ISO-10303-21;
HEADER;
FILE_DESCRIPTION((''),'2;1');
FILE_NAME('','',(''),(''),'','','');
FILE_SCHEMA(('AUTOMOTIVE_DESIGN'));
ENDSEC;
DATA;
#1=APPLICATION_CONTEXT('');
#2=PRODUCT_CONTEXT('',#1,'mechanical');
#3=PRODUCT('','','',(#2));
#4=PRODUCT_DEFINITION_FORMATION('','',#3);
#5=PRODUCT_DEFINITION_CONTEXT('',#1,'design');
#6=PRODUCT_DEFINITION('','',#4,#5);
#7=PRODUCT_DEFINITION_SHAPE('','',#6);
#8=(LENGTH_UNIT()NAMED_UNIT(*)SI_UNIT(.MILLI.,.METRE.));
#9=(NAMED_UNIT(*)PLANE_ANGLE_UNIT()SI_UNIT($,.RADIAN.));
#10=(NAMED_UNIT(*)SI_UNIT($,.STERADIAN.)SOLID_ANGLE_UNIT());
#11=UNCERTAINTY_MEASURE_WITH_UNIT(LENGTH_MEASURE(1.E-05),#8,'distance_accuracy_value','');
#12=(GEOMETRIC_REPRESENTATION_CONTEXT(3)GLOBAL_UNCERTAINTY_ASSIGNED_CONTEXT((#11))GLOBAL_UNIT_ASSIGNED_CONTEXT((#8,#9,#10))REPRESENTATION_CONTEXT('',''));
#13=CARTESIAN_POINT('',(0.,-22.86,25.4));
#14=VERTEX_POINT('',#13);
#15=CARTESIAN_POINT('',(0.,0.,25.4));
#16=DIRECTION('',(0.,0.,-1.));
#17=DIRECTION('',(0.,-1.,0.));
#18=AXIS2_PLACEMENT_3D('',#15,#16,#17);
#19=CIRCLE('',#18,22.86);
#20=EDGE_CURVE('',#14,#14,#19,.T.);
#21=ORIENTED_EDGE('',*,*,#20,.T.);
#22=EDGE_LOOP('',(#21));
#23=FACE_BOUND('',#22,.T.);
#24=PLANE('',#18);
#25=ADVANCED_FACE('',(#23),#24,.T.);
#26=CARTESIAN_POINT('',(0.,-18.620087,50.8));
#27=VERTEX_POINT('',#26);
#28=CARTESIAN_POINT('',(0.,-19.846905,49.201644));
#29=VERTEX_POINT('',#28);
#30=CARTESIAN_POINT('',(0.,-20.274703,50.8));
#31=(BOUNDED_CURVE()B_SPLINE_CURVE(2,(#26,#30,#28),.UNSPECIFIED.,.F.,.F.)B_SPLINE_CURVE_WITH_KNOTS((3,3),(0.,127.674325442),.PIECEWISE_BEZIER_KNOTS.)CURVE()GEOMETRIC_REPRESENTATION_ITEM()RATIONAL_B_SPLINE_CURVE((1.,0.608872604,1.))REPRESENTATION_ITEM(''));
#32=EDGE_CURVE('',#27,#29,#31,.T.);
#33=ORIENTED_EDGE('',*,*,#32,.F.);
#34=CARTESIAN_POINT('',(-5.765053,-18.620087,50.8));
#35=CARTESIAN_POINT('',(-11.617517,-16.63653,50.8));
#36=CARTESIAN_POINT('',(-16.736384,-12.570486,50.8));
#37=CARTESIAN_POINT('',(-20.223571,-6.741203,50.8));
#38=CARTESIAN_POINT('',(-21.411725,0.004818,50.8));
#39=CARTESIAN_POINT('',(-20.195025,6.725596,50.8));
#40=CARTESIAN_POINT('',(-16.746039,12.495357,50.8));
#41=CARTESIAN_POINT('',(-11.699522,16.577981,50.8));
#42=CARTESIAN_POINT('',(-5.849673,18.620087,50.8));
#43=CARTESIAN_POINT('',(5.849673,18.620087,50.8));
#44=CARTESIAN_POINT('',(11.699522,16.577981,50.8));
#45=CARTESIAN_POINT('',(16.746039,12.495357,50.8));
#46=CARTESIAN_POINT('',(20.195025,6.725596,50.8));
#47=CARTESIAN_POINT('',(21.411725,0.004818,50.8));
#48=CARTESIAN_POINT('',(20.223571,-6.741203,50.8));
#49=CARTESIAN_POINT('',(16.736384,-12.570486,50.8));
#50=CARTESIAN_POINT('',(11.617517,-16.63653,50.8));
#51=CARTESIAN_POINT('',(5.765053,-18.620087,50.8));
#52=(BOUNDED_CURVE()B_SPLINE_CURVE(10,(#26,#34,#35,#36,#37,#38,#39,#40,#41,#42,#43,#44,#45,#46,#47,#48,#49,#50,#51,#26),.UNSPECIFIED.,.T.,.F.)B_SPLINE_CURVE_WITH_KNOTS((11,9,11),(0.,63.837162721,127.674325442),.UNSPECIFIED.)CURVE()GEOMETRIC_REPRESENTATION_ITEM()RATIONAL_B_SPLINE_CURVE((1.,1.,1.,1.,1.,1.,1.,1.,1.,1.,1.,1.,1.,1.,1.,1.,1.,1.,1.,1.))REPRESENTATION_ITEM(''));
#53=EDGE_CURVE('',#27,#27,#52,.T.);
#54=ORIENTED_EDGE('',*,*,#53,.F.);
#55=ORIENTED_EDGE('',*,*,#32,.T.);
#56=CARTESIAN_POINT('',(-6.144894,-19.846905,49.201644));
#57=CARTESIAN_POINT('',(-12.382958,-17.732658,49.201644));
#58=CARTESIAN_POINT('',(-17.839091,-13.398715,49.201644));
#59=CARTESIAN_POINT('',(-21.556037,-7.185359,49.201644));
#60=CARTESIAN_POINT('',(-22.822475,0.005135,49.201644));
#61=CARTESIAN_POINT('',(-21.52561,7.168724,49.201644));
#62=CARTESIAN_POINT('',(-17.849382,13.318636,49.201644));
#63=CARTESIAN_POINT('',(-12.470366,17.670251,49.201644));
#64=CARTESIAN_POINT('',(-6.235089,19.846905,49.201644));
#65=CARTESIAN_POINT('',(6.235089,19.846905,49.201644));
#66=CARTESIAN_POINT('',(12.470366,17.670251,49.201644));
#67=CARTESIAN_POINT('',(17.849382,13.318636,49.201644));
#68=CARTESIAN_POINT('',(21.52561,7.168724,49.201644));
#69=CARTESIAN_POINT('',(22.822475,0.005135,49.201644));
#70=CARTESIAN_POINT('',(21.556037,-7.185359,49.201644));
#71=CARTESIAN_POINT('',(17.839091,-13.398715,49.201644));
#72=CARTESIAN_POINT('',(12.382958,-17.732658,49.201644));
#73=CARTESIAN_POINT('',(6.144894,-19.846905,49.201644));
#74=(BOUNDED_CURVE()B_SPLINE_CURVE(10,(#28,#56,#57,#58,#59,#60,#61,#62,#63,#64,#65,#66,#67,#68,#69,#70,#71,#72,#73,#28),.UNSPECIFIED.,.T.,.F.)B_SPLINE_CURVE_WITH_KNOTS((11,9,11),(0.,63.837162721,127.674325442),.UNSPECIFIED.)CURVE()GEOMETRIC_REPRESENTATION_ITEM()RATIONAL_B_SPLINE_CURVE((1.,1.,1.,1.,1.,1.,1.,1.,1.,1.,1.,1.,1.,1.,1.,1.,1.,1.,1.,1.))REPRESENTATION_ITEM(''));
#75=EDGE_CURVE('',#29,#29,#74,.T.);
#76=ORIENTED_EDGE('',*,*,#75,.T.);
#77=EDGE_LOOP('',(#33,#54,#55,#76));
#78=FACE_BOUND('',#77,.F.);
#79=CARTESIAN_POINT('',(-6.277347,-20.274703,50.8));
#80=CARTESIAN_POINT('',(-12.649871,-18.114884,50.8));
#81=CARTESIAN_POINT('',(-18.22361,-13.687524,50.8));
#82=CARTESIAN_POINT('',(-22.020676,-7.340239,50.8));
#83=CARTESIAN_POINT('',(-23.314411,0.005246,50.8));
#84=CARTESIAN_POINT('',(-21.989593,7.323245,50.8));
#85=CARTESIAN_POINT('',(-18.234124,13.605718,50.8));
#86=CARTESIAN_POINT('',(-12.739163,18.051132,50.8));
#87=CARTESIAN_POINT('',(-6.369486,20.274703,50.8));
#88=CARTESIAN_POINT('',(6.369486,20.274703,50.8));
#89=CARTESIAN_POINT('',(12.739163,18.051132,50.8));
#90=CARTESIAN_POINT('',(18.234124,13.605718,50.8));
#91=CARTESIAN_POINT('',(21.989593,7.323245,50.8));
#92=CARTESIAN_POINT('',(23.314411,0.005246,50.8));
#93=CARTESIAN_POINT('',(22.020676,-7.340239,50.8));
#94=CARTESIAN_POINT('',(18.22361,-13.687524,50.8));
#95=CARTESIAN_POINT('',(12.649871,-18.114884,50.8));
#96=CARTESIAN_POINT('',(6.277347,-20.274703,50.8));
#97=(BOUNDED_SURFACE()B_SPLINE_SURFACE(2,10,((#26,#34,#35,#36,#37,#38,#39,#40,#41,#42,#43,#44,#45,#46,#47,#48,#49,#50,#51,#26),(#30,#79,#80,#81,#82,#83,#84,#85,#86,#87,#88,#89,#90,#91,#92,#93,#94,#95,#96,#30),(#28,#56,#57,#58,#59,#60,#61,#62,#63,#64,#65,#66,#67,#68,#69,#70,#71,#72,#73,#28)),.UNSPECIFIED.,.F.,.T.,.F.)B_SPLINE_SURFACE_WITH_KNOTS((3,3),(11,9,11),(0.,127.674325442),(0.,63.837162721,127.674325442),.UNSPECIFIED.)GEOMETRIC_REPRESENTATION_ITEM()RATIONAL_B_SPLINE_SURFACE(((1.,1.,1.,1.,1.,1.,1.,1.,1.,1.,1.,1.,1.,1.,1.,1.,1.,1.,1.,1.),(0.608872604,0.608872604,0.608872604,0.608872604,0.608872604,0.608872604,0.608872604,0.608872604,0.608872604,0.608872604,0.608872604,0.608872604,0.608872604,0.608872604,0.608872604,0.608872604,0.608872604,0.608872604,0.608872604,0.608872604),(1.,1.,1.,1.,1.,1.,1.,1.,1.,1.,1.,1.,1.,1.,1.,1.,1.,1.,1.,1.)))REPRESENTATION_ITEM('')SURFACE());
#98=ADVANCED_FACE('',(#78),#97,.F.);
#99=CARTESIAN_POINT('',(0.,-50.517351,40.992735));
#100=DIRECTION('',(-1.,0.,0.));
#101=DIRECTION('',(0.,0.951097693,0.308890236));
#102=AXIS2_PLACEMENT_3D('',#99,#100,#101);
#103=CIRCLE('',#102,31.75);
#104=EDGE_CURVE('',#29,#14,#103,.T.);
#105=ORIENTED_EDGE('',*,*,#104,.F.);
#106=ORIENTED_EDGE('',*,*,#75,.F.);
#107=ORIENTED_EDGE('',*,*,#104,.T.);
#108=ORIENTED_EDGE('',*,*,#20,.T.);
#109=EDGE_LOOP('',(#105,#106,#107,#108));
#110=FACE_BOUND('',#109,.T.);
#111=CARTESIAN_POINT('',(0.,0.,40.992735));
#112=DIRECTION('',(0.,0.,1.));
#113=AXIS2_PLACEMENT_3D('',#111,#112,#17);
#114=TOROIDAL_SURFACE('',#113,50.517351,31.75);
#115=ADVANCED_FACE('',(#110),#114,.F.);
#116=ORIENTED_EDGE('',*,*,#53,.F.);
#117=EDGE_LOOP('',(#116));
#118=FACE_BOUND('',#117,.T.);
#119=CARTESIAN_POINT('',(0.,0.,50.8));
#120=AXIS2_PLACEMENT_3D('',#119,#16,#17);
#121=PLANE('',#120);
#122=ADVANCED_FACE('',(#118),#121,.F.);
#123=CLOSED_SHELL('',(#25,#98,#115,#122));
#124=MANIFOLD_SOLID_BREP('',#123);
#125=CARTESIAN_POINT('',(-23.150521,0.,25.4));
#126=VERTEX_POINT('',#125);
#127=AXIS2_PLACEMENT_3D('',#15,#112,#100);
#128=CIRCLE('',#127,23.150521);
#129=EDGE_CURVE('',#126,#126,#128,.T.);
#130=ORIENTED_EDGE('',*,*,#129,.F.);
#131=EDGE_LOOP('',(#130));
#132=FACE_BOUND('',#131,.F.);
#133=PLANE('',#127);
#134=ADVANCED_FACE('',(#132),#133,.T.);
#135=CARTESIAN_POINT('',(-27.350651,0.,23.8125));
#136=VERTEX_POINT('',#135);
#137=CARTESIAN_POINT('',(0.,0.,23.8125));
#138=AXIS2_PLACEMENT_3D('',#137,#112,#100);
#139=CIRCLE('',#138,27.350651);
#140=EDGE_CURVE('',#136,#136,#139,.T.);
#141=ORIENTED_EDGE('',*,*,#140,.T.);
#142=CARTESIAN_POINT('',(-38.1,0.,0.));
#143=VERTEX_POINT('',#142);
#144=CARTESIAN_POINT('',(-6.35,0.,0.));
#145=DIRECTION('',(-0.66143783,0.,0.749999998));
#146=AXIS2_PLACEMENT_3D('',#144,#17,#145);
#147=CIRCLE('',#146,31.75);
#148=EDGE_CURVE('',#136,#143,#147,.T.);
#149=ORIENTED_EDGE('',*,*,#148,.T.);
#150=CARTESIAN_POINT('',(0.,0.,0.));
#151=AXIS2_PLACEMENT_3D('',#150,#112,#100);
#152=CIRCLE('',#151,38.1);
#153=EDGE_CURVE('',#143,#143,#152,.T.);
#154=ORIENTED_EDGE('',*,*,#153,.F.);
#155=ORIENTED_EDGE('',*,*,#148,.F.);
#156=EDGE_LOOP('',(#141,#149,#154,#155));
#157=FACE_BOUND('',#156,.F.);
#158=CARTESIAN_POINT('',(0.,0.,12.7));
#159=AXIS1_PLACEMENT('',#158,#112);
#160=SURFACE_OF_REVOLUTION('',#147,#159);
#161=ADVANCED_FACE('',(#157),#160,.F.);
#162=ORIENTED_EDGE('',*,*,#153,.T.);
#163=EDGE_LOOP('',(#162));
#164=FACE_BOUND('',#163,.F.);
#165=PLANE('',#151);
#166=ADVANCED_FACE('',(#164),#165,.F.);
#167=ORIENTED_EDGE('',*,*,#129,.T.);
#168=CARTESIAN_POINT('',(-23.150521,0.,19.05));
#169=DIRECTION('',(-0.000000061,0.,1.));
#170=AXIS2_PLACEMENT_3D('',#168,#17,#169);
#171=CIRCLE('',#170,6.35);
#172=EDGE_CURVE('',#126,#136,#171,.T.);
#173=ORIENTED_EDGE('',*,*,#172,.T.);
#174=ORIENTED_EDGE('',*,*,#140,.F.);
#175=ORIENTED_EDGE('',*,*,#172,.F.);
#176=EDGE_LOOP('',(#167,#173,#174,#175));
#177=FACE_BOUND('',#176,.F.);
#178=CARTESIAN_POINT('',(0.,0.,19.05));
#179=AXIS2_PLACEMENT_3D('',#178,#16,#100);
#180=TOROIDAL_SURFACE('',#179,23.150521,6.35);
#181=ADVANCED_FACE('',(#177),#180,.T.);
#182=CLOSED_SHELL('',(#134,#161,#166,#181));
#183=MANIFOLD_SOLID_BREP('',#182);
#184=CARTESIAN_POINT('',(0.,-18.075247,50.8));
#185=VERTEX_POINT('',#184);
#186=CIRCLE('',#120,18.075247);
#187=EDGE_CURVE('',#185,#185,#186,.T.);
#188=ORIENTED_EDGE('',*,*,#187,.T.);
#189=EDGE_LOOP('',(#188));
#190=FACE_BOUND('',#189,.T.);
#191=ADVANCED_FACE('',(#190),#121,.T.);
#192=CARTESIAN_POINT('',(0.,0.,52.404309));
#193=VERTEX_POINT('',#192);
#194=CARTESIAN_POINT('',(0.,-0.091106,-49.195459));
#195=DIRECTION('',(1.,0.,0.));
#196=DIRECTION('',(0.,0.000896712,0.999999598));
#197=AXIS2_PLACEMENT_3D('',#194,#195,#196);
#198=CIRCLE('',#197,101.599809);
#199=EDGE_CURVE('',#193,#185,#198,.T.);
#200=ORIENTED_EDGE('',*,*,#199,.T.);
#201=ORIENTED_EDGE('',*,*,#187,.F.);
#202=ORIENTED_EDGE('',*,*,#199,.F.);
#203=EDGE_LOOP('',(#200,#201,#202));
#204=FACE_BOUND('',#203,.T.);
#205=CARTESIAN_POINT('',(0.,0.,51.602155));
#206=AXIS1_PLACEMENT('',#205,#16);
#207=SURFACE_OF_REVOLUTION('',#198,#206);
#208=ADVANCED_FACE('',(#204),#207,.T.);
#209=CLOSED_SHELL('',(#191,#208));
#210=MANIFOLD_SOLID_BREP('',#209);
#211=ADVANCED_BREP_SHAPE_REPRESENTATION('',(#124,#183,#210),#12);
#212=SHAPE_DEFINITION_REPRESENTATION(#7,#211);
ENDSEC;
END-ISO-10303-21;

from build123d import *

# Parameters (mm, degrees)
F4_R = 1.27


with BuildPart() as f1:
    # F0 (on Front) → F1 (revolve)
    with BuildSketch(Plane.XZ):
        with BuildLine():
            Line((0, 25.4), (-23.150521, 25.4))
            ThreePointArc((-23.150521, 25.4), (-25.395585, 24.989881), (-27.350651, 23.8125))
            ThreePointArc((-27.350651, 23.8125), (-35.288151, 13.063151), (-38.1, 0))
            Line((-38.1, 0), (0, 0))
            Line((0, 0), (0, 25.4))
        make_face()
    revolve(axis=Axis((0, 0, 12.7), (0, 0, 1)))


with BuildPart() as f3:
    # F2 (on Right) → F3 (revolve)
    with BuildSketch(Plane.YZ):
        with BuildLine():
            Line((-22.86, 25.4), (0, 25.4))
            Line((0, 25.4), (0, 50.8))
            Line((0, 50.8), (-20.32, 50.8))
            ThreePointArc((-20.32, 50.8), (-18.924921, 37.833492), (-22.86, 25.4))
        make_face()
    revolve(axis=Axis((0, 0, 38.1), (0, 0, -1)))

    # F4
    f4_edges = [f3.edges().sort_by_distance(p)[0] for p in [
        (0, 20.32, 50.8),
    ]]
    fillet(f4_edges, radius=F4_R)


with BuildPart() as f6:
    # F5 (on Right) → F6 (revolve)
    with BuildSketch(Plane.YZ):
        with BuildLine():
            ThreePointArc((0, 52.404309), (-9.073513, 52.006505), (-18.075247, 50.8))
            Line((-18.075247, 50.8), (0, 50.8))
            Line((0, 50.8), (0, 52.404309))
        make_face()
    revolve(axis=Axis((0, 0, 51.602155), (0, 0, -1)))


solid = Compound([f1.part, f3.part, f6.part])
